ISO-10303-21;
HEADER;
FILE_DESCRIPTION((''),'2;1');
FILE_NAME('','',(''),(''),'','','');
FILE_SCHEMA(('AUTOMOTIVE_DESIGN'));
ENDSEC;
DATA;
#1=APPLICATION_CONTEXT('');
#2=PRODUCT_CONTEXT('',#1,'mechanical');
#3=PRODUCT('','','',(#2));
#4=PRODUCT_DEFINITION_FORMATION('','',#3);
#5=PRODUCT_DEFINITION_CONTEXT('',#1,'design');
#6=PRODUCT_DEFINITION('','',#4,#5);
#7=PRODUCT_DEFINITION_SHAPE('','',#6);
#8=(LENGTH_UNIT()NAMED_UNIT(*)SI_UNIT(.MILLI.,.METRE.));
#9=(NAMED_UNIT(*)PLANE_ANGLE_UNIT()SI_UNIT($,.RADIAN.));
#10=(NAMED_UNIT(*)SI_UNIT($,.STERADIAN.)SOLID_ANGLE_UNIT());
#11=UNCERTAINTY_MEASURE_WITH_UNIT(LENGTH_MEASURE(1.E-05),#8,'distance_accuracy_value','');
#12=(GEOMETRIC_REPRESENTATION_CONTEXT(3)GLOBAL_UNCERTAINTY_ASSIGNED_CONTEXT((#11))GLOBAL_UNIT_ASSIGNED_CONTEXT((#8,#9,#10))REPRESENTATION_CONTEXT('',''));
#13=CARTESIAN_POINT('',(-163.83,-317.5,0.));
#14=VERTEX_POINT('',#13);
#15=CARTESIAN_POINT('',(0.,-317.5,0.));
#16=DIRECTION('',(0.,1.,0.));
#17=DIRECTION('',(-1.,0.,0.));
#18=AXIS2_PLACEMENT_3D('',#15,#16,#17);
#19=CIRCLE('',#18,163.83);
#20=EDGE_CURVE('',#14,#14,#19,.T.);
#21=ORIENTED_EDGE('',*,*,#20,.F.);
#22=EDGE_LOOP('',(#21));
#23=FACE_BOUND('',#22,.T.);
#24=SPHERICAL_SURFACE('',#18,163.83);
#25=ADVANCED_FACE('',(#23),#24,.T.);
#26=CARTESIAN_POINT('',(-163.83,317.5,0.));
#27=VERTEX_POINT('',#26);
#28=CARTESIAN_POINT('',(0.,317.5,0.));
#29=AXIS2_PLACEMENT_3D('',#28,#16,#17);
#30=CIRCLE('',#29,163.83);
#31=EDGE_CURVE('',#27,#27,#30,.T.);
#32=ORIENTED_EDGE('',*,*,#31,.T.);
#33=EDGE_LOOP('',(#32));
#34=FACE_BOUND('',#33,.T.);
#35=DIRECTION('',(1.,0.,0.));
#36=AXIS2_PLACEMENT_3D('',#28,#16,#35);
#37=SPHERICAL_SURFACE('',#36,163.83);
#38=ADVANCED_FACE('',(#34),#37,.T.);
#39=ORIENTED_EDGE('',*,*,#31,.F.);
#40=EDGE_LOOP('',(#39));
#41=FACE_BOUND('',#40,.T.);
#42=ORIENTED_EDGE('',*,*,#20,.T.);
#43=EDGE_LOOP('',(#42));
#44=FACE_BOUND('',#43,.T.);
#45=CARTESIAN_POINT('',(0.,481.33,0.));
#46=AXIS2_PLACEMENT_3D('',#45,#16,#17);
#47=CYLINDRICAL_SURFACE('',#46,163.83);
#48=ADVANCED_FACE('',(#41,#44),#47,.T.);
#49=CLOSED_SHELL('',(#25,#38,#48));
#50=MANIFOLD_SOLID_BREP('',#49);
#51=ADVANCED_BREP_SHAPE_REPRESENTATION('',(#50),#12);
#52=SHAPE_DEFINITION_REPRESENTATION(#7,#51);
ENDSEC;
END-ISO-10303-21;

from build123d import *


with BuildPart() as part:
    # Sketch1 → Revolve1 (revolve)
    with BuildSketch(Plane.XY):
        with BuildLine():
            Line((-163.83, -317.5), (-163.83, 317.5))
            ThreePointArc((-163.83, 317.5), (-115.845303962, 433.345303962), (0, 481.33))
            Line((0, 481.33), (0, -481.33))
            ThreePointArc((0, -481.33), (-115.845303962, -433.345303962), (-163.83, -317.5))
        make_face()
    revolve(axis=Axis((0, 481.33, 0), (0, -1, 0)))


solid = part.part
